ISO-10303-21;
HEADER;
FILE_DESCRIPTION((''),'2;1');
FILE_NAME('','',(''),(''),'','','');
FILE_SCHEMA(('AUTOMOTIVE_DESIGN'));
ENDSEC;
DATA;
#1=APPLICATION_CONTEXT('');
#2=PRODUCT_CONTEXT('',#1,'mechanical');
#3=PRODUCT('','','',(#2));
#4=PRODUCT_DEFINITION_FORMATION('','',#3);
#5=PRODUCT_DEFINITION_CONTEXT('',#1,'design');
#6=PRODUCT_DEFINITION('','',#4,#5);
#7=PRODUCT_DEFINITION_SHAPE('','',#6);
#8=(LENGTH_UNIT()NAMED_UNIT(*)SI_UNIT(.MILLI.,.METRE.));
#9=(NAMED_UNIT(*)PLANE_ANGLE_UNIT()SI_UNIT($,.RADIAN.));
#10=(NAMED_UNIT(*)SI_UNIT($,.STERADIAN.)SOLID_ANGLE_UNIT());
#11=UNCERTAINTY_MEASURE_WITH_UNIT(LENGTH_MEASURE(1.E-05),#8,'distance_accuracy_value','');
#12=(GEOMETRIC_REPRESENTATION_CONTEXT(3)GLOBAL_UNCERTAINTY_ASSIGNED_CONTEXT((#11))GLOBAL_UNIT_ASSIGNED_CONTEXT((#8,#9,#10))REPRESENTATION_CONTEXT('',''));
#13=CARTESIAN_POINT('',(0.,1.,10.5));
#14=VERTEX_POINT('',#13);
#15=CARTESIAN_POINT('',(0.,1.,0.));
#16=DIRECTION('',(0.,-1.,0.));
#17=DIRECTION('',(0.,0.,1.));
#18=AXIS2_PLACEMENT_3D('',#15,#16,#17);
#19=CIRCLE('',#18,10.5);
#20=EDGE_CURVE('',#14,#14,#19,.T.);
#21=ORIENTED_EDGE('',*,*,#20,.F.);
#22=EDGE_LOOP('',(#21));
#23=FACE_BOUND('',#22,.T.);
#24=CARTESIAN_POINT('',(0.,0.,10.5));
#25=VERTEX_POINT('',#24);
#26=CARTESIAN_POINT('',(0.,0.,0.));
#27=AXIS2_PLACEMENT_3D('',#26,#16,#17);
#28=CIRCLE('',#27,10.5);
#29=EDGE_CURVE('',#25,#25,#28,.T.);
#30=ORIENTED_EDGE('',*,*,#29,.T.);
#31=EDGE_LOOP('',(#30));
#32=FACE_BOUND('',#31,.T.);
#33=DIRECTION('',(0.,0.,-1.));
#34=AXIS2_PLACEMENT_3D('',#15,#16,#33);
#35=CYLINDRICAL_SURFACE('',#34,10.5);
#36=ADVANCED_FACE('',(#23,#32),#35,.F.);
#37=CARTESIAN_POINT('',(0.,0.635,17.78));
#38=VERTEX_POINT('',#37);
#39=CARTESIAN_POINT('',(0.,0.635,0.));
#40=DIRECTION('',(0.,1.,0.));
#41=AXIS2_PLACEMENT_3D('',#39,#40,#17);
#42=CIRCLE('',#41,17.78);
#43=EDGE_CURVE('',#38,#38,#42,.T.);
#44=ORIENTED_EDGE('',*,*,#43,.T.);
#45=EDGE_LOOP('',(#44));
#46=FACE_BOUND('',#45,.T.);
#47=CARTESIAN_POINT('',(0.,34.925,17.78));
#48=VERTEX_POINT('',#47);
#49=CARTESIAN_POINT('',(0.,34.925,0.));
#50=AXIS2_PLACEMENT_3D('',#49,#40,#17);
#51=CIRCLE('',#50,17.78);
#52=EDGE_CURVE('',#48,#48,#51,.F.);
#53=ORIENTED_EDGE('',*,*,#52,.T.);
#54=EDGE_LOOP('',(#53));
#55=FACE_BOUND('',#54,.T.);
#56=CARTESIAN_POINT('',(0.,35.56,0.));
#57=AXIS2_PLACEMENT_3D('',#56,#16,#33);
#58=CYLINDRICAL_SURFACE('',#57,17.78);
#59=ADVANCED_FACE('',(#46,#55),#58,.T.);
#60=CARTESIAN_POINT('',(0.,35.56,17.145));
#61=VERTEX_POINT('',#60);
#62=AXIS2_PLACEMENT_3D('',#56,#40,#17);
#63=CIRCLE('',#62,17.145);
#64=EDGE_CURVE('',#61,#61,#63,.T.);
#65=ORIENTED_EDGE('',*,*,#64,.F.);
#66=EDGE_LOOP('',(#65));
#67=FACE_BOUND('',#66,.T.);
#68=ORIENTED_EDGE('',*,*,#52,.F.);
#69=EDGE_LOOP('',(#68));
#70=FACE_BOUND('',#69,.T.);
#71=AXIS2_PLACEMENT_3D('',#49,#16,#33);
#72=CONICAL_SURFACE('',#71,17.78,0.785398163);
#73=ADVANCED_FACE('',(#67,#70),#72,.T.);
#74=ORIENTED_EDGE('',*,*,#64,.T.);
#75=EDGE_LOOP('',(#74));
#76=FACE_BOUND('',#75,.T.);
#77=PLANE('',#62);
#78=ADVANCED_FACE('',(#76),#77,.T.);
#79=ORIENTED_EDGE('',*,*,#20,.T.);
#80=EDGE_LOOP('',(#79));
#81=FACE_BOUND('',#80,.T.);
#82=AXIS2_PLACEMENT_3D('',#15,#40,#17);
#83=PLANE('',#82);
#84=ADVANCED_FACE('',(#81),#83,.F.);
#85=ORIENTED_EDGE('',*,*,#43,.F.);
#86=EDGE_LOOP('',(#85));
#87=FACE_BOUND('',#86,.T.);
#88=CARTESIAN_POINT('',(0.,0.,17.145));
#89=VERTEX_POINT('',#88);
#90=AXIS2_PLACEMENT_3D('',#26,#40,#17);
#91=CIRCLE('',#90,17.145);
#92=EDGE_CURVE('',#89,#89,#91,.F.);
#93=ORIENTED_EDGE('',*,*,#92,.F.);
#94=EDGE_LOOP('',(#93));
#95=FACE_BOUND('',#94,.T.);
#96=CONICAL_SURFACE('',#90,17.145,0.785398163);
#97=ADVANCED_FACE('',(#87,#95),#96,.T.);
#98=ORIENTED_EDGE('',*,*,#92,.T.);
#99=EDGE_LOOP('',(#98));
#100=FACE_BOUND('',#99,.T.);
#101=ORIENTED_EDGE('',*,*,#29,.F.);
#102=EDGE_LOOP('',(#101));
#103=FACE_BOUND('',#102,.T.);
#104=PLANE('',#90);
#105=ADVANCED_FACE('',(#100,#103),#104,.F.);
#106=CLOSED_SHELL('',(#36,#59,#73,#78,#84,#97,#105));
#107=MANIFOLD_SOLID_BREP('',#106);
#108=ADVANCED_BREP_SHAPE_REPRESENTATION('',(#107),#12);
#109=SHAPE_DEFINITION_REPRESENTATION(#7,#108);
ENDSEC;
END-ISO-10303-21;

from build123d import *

# Parameters (mm, degrees)
SKETCH1_R           = 17.78
BOSS_EXTRUDE1_DEPTH = 35.56
SKETCH2_R           = 10.5
CUT_EXTRUDE1_DEPTH  = 1
CHAMFER1_SIZE       = 0.635
CHAMFER2_SIZE       = 0.635


with BuildPart() as part:
    # Sketch1 → Boss-Extrude1 (new body)
    with BuildSketch(Plane.XZ):
        Circle(SKETCH1_R)
    extrude(amount=-BOSS_EXTRUDE1_DEPTH)

    # Sketch2 → Cut-Extrude1 (cut)
    with BuildSketch(Plane.XZ):
        Circle(SKETCH2_R)
    extrude(amount=-CUT_EXTRUDE1_DEPTH, mode=Mode.SUBTRACT)

    # Chamfer1
    chamfer1_edges = [part.edges().sort_by_distance(p)[0] for p in [
        (-17.78, 0, 0),
    ]]
    chamfer(chamfer1_edges, length=CHAMFER1_SIZE)

    # Chamfer2
    chamfer2_edges = [part.edges().sort_by_distance(p)[0] for p in [
        (-17.78, 35.56, 0),
    ]]
    chamfer(chamfer2_edges, length=CHAMFER2_SIZE)


solid = part.part
